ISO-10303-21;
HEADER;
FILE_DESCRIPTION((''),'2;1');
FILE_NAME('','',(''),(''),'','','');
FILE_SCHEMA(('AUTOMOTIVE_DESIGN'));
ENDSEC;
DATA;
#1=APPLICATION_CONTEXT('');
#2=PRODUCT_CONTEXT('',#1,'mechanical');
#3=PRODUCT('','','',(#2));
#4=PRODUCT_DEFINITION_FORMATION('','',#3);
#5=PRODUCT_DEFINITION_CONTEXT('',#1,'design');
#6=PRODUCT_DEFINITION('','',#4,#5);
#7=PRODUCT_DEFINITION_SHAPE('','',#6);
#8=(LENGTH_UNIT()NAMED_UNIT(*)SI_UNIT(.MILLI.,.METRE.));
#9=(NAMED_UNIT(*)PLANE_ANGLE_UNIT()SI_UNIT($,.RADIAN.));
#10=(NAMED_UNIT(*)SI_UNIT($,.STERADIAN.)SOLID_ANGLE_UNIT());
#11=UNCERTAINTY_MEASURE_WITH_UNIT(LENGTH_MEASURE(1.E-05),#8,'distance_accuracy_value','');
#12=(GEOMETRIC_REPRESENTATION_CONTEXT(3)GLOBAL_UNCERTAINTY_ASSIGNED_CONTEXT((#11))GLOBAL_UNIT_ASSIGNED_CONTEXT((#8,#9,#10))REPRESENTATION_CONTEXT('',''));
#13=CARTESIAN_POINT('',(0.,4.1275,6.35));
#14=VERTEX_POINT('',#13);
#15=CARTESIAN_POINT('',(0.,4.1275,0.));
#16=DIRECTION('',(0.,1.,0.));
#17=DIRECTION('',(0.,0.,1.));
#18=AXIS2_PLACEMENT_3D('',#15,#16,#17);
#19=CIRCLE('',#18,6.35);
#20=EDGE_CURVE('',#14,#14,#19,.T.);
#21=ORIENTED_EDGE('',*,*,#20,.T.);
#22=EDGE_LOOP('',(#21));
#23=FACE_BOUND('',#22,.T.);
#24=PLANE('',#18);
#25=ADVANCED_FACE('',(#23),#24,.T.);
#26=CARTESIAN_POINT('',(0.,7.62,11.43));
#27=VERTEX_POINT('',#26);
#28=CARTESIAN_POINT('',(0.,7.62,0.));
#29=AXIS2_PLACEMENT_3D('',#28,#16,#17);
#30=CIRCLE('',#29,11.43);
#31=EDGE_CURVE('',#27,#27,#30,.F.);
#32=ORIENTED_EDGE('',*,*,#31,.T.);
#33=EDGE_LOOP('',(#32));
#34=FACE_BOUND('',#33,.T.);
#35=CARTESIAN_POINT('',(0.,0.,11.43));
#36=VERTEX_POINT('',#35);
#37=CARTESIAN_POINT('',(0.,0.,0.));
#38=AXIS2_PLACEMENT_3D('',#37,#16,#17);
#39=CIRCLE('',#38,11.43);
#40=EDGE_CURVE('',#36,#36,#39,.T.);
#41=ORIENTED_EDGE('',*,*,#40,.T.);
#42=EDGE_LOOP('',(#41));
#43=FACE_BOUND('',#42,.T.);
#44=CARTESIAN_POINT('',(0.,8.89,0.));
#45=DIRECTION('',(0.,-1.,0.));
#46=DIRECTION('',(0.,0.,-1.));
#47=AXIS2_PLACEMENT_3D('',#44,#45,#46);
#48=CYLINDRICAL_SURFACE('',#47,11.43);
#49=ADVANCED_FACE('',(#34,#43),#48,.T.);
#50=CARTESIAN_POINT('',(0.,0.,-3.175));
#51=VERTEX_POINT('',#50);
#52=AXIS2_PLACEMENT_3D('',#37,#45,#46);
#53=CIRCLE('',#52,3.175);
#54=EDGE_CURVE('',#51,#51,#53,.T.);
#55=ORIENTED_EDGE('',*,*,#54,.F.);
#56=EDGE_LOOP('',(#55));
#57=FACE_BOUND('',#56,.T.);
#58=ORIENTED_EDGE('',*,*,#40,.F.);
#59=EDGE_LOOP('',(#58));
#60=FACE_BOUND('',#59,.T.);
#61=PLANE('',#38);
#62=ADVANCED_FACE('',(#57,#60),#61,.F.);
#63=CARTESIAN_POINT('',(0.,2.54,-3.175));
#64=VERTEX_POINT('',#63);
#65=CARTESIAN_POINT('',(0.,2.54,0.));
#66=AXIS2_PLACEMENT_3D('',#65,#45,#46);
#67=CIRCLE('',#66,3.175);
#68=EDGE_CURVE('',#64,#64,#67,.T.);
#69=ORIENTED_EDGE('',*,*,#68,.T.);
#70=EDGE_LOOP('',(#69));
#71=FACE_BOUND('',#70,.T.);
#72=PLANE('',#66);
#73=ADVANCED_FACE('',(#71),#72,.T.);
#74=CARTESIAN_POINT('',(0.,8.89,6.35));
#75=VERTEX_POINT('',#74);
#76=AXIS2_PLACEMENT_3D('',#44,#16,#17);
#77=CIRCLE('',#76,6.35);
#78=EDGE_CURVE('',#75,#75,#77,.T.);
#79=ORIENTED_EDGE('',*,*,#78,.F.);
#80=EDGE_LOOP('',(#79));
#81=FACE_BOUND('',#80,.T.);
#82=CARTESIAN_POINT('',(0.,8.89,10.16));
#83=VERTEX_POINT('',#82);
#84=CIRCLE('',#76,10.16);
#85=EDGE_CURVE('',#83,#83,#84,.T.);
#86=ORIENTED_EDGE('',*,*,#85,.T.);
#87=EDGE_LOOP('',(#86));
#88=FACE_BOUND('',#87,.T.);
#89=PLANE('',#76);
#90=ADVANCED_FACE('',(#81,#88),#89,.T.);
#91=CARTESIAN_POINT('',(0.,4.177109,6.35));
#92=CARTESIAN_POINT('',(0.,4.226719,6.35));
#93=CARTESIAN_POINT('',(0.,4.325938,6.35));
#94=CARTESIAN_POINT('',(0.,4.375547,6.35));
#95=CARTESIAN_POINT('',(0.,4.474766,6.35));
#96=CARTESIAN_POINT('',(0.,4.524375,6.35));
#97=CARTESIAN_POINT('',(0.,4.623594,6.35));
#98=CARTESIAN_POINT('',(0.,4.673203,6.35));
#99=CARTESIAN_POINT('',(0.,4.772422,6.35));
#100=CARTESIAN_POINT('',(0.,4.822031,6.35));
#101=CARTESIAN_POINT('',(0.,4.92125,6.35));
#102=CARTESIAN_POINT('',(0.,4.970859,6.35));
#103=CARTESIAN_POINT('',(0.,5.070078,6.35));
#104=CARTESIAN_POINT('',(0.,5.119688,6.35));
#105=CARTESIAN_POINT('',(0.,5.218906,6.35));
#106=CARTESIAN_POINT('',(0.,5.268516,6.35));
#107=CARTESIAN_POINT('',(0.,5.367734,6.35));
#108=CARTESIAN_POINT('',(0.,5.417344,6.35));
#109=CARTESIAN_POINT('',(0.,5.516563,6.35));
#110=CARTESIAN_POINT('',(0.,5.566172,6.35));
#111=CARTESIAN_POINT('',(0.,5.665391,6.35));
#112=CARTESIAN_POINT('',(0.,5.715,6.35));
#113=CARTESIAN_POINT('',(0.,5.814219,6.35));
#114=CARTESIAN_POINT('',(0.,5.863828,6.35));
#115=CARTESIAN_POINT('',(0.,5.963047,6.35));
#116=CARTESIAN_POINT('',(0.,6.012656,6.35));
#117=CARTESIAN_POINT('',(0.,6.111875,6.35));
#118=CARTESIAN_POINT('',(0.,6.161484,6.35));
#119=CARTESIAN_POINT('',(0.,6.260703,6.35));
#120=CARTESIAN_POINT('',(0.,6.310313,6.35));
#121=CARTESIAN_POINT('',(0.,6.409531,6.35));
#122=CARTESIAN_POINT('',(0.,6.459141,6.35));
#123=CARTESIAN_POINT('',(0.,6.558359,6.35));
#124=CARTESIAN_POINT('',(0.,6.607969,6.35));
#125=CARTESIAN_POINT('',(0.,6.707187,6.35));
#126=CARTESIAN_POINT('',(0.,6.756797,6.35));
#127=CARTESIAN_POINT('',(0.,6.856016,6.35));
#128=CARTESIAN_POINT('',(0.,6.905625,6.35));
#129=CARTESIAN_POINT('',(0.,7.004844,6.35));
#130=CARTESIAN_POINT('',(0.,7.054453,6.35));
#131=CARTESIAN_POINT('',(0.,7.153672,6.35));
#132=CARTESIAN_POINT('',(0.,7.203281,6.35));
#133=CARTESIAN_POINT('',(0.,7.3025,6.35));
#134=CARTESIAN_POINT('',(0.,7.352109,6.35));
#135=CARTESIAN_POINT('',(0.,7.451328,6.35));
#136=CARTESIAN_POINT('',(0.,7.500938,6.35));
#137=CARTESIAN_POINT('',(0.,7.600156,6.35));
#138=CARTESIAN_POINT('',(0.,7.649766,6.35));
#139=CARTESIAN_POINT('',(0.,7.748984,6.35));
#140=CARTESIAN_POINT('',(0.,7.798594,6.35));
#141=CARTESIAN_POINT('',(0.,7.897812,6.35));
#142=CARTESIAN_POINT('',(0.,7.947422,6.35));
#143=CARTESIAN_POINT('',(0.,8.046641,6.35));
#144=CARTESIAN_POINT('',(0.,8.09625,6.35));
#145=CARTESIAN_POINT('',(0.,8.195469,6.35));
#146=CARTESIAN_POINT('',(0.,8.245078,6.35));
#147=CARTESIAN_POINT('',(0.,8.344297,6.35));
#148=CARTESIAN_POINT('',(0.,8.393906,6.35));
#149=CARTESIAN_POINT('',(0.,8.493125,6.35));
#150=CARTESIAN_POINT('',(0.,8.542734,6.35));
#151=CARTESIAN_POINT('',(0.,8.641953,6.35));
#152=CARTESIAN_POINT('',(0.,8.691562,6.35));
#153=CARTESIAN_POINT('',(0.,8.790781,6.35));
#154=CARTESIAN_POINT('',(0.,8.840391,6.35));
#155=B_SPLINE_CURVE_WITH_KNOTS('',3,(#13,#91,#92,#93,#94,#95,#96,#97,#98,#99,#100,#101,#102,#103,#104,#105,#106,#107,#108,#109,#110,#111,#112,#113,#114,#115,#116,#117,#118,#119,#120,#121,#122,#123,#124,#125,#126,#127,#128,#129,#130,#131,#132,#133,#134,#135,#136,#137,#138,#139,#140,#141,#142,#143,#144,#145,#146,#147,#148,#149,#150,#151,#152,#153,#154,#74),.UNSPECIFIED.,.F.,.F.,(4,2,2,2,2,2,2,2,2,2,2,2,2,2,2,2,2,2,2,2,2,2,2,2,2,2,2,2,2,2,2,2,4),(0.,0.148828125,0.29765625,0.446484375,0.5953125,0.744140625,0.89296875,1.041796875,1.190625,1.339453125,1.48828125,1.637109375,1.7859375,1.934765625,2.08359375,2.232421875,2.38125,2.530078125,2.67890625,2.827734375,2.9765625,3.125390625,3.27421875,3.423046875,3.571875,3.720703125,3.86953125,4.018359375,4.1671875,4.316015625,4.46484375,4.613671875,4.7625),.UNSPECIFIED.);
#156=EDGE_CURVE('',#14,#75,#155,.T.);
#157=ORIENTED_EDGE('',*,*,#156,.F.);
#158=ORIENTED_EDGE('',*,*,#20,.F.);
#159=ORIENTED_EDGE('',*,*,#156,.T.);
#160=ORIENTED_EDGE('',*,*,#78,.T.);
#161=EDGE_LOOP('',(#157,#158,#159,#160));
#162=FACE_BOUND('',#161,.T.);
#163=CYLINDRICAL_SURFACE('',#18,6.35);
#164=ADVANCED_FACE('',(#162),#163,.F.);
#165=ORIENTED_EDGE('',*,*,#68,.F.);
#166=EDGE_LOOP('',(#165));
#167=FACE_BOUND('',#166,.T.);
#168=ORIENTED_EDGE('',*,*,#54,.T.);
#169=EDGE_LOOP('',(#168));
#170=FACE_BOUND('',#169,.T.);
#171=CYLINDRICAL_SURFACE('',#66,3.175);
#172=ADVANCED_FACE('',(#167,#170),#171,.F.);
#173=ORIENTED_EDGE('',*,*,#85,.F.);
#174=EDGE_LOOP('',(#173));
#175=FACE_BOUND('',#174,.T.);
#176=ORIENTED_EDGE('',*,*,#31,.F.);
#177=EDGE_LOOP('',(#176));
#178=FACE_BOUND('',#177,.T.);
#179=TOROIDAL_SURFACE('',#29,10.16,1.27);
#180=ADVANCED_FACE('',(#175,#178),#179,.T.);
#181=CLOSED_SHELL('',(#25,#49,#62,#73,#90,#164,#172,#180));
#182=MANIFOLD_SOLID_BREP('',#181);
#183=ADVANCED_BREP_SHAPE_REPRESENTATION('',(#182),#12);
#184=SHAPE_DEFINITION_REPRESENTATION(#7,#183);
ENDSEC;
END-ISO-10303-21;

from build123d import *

# Parameters (mm, degrees)
SKETCH1_R           = 11.43
BOSS_EXTRUDE1_DEPTH = 8.89
SKETCH2_R           = 6.35
CUT_EXTRUDE1_DEPTH  = 4.7625
FILLET4_R           = 1.27
SKETCH3_R           = 3.175
CUT_EXTRUDE2_DEPTH  = 2.54


with BuildPart() as part:
    # Sketch1 → Boss-Extrude1 (new body)
    with BuildSketch(Plane(origin=(0, 0, 0), x_dir=(1, 0, 0), z_dir=(0, 1, 0))):
        Circle(SKETCH1_R)
    extrude(amount=BOSS_EXTRUDE1_DEPTH)

    # Sketch2 → Cut-Extrude1 (cut)
    with BuildSketch(Plane(origin=(0, 8.89, 0), x_dir=(1, 0, 0), z_dir=(0, 1, 0))):
        Circle(SKETCH2_R)
    extrude(amount=-CUT_EXTRUDE1_DEPTH, mode=Mode.SUBTRACT)

    # Fillet4
    fillet4_edges = [part.edges().sort_by_distance(p)[0] for p in [
        (-11.43, 8.89, 0),
    ]]
    fillet(fillet4_edges, radius=FILLET4_R)

    # Sketch3 → Cut-Extrude2 (cut)
    with BuildSketch(Plane.XZ):
        Circle(SKETCH3_R)
    extrude(amount=-CUT_EXTRUDE2_DEPTH, mode=Mode.SUBTRACT)


solid = part.part
